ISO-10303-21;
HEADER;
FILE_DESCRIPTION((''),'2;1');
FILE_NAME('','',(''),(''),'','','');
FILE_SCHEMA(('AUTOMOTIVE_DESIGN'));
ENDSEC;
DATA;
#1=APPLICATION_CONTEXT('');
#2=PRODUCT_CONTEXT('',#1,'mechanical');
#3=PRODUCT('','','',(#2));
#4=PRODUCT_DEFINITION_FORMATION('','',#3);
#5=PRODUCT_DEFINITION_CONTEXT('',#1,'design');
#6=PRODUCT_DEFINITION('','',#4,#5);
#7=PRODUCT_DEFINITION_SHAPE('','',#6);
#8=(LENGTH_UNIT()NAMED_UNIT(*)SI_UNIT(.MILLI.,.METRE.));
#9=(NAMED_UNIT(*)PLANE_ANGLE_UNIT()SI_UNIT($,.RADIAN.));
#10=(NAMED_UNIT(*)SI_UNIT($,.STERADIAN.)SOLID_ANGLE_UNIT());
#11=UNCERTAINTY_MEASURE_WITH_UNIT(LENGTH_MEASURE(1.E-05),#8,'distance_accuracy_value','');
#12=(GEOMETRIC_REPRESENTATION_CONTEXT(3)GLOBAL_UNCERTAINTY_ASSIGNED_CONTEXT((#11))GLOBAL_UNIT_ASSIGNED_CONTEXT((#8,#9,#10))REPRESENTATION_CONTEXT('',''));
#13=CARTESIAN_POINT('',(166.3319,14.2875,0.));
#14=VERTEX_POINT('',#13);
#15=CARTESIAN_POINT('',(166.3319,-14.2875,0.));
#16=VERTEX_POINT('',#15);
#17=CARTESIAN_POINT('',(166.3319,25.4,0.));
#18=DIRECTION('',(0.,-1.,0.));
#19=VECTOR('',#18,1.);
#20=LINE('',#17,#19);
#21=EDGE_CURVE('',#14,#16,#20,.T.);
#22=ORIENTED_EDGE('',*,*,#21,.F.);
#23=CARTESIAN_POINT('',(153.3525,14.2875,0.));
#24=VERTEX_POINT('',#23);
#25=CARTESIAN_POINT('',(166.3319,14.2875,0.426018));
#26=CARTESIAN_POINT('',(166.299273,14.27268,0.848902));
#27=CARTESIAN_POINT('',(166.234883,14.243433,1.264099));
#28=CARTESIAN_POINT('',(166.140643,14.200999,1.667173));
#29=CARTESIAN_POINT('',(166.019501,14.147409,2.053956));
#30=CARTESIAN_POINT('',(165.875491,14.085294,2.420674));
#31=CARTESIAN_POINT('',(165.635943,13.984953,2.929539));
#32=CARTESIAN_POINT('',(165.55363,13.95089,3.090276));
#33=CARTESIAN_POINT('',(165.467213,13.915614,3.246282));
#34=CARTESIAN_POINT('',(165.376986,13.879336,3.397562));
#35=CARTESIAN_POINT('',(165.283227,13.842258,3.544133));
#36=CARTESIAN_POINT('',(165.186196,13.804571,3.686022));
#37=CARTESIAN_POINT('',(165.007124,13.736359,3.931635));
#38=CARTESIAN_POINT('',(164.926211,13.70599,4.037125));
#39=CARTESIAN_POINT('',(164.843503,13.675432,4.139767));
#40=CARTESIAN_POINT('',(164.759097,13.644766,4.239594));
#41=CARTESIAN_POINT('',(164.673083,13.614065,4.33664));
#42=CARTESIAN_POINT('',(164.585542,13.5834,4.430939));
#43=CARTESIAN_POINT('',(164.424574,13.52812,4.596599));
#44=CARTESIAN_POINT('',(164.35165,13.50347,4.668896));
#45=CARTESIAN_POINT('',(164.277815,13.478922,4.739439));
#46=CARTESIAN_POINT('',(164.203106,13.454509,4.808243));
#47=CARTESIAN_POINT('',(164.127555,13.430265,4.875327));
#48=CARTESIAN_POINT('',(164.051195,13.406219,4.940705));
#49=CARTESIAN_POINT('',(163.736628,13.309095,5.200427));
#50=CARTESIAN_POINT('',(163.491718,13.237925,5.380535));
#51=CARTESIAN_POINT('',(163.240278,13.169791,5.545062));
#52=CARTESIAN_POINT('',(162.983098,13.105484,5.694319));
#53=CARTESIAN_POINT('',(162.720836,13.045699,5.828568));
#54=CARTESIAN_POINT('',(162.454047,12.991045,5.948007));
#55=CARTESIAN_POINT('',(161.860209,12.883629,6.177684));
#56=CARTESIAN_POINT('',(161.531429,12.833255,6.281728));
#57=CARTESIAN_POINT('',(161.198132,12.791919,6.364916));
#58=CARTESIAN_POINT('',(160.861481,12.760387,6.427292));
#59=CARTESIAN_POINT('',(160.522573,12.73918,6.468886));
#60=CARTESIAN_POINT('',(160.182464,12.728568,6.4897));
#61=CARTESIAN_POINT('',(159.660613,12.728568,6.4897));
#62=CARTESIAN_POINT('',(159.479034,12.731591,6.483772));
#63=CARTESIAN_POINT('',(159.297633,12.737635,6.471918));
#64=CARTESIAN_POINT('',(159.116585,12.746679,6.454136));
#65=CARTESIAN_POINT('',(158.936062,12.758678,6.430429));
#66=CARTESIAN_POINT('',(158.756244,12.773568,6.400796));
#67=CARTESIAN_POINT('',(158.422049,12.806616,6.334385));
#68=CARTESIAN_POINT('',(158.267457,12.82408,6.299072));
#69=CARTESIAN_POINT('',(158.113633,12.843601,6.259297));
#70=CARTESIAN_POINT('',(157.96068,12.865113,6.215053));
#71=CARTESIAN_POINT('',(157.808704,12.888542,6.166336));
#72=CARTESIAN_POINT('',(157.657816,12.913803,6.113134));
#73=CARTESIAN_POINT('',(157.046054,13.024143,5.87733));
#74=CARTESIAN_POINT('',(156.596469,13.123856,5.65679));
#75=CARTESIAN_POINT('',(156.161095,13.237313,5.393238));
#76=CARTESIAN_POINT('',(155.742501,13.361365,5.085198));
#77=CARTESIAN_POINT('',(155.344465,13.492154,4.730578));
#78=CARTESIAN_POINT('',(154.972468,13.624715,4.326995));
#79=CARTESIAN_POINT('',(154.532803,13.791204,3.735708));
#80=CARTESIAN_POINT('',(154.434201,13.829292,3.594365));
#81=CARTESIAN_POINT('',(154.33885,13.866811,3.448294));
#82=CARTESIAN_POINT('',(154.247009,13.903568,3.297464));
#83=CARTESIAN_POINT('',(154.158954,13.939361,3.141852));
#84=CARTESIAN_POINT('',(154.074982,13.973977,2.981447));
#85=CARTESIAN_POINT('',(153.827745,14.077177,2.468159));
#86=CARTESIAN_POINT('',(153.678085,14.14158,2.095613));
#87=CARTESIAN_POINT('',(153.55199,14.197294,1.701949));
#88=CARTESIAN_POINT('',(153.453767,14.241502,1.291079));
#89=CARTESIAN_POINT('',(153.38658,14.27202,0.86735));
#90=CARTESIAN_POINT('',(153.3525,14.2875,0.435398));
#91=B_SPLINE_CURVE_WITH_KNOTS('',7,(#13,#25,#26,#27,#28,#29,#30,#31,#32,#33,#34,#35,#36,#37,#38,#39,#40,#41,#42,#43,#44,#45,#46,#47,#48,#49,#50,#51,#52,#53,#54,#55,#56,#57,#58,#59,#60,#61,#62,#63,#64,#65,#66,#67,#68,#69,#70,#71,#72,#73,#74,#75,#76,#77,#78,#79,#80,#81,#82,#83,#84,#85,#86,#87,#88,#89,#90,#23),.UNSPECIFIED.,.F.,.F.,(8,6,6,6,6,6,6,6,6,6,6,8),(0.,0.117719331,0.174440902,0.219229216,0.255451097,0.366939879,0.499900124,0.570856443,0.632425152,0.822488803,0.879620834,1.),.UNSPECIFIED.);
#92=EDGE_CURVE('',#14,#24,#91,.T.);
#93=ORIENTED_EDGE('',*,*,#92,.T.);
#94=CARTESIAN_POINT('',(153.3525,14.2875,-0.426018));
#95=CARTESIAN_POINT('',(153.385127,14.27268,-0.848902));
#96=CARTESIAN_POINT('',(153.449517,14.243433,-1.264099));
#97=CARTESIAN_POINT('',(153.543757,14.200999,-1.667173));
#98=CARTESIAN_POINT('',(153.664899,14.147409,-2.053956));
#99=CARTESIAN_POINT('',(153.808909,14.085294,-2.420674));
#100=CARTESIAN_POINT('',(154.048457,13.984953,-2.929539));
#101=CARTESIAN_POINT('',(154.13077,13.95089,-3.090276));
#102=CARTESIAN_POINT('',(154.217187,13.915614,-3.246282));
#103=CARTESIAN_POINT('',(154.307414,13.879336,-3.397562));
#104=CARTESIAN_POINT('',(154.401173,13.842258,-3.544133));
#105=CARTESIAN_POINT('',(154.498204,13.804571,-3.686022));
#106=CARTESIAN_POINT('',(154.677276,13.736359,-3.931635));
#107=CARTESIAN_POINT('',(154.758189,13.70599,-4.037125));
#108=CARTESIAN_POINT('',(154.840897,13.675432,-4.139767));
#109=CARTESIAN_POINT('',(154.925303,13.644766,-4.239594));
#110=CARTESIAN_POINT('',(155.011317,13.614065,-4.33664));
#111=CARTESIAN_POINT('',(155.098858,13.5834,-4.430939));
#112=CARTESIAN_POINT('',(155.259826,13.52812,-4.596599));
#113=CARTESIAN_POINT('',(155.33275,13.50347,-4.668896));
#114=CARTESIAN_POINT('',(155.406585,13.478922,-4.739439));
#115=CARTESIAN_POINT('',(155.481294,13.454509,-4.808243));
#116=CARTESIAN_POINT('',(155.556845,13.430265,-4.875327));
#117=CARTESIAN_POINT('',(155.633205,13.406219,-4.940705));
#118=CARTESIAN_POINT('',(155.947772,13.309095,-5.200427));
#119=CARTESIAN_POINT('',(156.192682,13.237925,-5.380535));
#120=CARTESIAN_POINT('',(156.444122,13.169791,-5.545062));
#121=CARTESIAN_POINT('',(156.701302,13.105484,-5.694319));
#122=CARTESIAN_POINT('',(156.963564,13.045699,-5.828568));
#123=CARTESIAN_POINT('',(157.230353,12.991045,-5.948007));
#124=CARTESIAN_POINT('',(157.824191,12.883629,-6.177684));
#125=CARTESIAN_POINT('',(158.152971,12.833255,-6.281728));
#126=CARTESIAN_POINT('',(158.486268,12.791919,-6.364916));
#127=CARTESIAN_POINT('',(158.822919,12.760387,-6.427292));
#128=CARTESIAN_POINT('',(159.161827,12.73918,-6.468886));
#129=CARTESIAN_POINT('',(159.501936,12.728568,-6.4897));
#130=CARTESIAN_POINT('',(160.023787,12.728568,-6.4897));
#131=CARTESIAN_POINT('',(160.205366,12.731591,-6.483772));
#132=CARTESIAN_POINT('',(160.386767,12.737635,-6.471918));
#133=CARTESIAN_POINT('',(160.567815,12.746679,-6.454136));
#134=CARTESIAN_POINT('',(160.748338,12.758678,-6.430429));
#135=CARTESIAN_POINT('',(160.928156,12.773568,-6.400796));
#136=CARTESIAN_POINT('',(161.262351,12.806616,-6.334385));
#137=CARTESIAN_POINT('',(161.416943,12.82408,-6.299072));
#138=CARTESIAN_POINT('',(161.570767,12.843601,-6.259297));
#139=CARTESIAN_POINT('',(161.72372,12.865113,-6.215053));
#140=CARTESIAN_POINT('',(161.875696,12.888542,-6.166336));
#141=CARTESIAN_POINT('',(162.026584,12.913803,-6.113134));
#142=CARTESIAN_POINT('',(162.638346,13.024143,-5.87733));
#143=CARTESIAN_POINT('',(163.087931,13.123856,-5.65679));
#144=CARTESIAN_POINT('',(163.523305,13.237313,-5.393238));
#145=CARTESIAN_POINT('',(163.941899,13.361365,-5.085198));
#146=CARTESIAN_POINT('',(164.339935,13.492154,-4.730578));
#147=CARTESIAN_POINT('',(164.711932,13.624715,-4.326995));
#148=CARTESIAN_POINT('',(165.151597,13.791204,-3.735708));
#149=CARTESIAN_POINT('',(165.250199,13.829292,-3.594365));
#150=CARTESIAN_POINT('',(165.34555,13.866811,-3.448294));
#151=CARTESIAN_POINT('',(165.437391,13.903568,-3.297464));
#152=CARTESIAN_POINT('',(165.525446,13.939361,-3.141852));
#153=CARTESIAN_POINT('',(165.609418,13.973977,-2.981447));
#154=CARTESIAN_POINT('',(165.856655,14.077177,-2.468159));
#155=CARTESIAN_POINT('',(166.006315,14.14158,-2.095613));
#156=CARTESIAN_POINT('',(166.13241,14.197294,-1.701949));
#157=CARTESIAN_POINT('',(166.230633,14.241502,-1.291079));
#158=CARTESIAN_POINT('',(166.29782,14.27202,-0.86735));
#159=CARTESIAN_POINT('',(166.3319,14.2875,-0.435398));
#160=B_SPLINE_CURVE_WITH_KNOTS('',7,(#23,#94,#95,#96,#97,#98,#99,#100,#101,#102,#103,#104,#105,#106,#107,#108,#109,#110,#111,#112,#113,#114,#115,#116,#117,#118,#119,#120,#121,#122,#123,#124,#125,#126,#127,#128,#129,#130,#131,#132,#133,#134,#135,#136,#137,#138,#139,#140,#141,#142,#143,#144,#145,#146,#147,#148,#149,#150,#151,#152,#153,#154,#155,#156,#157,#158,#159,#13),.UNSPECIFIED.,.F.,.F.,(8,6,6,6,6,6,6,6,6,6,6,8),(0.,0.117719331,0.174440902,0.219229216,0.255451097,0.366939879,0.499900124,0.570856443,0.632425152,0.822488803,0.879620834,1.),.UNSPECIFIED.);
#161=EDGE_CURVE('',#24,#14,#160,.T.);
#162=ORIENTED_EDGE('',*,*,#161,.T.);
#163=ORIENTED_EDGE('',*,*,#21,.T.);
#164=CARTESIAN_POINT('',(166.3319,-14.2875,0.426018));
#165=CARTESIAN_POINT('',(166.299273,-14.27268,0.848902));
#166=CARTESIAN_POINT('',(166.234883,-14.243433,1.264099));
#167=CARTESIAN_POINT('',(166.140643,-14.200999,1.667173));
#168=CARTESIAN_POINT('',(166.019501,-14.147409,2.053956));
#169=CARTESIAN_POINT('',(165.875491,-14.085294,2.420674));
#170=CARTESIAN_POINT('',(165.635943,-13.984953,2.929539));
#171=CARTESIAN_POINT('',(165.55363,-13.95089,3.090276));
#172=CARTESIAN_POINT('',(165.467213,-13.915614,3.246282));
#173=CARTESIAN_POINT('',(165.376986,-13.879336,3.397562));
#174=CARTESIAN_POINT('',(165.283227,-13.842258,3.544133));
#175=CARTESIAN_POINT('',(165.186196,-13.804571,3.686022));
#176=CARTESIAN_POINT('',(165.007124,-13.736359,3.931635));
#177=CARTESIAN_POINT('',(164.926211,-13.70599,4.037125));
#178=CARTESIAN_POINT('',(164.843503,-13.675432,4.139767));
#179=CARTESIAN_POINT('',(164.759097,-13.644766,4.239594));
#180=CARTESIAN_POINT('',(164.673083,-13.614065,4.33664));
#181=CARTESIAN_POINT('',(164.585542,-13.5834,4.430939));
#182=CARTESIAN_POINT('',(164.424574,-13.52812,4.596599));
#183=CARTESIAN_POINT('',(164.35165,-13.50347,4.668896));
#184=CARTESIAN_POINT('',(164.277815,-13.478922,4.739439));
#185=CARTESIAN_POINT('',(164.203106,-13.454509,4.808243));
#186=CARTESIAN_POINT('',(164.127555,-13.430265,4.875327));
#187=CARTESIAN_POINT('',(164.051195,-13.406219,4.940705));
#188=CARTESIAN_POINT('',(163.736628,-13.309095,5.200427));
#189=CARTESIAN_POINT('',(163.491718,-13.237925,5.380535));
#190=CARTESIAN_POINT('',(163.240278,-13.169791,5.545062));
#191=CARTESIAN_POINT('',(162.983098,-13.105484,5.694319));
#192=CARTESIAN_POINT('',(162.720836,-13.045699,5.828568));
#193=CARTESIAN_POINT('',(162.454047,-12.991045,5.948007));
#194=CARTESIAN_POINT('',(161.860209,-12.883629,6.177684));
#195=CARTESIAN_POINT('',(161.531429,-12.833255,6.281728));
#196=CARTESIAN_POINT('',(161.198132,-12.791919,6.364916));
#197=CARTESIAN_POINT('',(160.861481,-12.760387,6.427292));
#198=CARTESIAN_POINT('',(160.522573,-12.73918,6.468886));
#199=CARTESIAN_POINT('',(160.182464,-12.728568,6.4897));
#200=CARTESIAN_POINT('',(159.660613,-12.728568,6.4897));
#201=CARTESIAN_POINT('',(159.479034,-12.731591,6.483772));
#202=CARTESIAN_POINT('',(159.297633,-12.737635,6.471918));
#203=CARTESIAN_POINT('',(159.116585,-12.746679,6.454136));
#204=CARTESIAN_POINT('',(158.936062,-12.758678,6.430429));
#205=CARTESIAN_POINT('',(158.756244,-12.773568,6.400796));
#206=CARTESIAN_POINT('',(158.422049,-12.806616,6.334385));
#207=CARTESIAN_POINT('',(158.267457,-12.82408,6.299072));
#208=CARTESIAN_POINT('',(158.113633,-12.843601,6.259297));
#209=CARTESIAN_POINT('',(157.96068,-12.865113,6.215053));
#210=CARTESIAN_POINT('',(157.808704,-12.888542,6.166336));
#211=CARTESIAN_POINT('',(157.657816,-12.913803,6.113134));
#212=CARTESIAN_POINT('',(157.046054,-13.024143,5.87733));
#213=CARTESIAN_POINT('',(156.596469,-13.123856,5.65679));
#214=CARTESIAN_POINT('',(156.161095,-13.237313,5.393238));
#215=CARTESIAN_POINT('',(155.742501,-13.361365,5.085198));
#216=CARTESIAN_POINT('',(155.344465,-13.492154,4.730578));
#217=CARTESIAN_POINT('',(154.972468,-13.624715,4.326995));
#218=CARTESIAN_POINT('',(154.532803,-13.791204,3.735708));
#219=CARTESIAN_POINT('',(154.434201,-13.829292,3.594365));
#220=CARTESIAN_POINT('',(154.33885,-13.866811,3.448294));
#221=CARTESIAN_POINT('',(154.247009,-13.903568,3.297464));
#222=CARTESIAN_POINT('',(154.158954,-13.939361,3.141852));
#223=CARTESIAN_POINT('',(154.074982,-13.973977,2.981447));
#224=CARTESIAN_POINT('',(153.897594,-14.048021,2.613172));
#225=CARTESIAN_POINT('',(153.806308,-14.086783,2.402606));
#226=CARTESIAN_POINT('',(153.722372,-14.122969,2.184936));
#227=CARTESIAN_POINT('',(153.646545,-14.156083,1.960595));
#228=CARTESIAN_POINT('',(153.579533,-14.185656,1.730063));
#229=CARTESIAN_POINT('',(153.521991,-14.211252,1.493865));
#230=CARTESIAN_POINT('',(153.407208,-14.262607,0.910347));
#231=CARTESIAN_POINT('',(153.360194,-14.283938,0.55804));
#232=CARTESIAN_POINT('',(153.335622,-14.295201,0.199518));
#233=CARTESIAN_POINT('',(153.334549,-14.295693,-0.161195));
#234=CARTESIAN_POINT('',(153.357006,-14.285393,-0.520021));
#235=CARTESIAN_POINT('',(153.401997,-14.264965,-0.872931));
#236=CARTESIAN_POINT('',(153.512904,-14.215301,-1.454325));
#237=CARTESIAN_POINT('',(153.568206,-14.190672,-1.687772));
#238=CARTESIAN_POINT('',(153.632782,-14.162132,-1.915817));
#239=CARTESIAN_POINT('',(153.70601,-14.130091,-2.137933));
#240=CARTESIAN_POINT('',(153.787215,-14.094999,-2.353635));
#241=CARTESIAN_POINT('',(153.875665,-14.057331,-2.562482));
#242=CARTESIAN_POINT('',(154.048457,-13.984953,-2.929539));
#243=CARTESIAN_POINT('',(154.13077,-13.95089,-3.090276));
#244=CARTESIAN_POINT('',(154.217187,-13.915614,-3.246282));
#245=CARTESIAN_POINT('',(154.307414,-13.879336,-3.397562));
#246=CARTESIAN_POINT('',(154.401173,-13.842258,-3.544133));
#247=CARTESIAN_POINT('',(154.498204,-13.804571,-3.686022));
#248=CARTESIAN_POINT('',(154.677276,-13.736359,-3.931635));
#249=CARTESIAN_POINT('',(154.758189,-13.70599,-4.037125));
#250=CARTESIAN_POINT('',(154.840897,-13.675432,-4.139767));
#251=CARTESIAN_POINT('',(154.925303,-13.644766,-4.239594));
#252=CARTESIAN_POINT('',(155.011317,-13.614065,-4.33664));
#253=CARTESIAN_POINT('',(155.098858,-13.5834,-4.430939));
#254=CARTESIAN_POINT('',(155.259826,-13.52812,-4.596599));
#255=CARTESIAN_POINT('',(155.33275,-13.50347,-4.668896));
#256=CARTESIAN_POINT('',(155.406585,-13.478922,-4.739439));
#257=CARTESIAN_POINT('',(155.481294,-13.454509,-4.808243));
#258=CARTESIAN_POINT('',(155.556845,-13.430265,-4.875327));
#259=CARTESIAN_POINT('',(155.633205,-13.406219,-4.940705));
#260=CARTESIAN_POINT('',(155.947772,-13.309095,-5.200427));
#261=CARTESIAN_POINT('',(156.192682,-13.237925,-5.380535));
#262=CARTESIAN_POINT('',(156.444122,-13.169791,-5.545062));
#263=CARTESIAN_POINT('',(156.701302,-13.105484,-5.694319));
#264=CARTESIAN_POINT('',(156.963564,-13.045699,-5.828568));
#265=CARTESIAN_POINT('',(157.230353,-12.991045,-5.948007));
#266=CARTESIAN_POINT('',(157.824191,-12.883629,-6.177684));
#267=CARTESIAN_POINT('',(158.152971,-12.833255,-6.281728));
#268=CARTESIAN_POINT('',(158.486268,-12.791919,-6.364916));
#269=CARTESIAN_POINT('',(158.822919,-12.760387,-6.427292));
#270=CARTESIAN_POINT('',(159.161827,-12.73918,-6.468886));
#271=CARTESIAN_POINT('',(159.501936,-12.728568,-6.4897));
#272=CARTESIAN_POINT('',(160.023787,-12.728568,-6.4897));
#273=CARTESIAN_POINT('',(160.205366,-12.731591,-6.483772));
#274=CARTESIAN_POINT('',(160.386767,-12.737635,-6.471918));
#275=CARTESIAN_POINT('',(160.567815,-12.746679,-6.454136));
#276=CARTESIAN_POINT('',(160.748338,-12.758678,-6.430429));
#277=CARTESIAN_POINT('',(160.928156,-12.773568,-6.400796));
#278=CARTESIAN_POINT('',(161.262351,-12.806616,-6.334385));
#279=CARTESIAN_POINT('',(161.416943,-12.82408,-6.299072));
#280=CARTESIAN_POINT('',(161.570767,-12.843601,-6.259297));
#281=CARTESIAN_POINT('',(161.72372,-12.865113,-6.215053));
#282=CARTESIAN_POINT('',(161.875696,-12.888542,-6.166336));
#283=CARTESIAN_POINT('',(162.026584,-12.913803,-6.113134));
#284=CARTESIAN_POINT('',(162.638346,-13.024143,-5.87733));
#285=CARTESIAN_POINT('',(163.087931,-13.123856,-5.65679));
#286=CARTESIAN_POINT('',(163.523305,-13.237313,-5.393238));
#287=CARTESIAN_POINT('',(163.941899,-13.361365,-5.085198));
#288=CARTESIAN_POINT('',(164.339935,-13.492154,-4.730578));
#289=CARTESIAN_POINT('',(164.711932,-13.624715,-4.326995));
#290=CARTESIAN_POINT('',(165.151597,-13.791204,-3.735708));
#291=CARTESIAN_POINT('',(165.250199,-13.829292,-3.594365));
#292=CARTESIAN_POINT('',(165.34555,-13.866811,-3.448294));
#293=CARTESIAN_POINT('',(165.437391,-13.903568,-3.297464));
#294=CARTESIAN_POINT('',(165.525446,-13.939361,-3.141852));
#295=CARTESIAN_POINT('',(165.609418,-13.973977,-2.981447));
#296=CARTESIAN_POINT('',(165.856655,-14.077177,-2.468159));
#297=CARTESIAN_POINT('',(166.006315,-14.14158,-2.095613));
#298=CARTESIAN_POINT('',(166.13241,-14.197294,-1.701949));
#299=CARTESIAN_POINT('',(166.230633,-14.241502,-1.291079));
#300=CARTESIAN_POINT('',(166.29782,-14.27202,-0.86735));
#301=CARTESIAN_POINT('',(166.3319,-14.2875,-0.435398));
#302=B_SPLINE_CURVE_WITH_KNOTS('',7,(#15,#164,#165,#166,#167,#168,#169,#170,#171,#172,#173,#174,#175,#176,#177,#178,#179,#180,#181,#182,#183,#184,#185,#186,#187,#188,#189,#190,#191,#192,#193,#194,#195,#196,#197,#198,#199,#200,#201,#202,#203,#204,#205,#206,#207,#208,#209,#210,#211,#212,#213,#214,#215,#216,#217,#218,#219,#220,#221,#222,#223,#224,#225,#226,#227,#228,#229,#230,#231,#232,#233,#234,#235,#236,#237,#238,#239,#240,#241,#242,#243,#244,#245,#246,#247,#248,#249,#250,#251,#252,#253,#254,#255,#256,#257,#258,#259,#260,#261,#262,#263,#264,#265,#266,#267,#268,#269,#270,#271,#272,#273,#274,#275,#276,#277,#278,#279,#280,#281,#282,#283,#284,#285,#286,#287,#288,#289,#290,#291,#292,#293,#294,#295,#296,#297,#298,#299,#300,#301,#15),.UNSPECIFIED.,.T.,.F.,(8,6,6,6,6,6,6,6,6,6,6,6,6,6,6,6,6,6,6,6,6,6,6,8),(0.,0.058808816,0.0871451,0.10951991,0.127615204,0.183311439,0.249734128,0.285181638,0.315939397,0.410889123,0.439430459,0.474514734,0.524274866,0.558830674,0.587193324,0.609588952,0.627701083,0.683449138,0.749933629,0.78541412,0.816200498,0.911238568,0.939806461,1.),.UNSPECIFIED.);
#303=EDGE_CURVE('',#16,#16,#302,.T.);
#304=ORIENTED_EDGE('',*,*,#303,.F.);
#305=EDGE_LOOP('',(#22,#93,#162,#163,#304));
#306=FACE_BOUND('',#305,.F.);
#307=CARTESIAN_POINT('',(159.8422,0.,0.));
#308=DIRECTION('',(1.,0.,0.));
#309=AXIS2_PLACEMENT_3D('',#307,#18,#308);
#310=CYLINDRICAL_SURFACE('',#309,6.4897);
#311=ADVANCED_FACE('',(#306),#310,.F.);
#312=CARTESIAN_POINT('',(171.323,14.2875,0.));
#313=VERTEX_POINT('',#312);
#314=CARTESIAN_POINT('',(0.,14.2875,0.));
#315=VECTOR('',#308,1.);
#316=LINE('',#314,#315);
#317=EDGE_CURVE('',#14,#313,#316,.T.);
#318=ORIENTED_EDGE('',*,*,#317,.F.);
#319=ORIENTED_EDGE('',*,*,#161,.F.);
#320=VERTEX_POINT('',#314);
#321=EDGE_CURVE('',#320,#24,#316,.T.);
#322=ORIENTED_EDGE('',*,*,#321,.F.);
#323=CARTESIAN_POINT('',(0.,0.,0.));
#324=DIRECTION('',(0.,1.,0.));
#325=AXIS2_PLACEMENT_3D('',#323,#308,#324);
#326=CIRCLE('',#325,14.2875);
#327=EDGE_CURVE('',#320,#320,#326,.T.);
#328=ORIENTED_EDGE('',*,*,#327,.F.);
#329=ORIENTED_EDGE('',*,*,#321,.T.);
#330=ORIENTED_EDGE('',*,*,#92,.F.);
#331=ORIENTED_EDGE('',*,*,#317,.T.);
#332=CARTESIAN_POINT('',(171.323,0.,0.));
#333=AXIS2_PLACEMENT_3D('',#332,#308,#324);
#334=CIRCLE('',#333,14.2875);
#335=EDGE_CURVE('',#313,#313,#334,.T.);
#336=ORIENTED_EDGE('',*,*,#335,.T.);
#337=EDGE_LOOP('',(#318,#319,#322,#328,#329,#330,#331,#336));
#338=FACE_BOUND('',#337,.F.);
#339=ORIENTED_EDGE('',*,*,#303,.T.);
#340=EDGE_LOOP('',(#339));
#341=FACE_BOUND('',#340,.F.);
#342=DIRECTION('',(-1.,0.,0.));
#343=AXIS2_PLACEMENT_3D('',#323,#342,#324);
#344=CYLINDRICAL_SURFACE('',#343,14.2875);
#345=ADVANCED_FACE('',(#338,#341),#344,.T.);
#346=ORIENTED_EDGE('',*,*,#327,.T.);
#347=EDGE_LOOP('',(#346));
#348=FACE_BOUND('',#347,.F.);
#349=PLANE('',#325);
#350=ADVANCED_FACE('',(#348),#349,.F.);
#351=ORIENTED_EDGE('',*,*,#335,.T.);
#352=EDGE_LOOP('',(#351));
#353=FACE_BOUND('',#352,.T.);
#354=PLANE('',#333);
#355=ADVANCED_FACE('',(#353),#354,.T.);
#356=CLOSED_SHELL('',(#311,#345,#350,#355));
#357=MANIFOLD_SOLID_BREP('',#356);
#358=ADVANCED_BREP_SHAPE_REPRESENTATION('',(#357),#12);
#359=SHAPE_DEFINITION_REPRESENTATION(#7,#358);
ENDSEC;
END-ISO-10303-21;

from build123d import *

# Parameters (mm, degrees)
F0_R     = 14.2875
F1_DEPTH = 171.323
F2_R     = 6.4897
F3_DEPTH = 25.4


with BuildPart() as f1:
    # F0 (on Right) → F1 (new body)
    with BuildSketch(Plane.YZ):
        Circle(F0_R)
    extrude(amount=F1_DEPTH)

    # F2 (on Front) → F3 (cut, symmetric)
    with BuildSketch(Plane.XZ):
        with Locations((159.8422, 0)):
            Circle(F2_R)
    extrude(amount=F3_DEPTH, both=True, mode=Mode.SUBTRACT)


solid = f1.part
